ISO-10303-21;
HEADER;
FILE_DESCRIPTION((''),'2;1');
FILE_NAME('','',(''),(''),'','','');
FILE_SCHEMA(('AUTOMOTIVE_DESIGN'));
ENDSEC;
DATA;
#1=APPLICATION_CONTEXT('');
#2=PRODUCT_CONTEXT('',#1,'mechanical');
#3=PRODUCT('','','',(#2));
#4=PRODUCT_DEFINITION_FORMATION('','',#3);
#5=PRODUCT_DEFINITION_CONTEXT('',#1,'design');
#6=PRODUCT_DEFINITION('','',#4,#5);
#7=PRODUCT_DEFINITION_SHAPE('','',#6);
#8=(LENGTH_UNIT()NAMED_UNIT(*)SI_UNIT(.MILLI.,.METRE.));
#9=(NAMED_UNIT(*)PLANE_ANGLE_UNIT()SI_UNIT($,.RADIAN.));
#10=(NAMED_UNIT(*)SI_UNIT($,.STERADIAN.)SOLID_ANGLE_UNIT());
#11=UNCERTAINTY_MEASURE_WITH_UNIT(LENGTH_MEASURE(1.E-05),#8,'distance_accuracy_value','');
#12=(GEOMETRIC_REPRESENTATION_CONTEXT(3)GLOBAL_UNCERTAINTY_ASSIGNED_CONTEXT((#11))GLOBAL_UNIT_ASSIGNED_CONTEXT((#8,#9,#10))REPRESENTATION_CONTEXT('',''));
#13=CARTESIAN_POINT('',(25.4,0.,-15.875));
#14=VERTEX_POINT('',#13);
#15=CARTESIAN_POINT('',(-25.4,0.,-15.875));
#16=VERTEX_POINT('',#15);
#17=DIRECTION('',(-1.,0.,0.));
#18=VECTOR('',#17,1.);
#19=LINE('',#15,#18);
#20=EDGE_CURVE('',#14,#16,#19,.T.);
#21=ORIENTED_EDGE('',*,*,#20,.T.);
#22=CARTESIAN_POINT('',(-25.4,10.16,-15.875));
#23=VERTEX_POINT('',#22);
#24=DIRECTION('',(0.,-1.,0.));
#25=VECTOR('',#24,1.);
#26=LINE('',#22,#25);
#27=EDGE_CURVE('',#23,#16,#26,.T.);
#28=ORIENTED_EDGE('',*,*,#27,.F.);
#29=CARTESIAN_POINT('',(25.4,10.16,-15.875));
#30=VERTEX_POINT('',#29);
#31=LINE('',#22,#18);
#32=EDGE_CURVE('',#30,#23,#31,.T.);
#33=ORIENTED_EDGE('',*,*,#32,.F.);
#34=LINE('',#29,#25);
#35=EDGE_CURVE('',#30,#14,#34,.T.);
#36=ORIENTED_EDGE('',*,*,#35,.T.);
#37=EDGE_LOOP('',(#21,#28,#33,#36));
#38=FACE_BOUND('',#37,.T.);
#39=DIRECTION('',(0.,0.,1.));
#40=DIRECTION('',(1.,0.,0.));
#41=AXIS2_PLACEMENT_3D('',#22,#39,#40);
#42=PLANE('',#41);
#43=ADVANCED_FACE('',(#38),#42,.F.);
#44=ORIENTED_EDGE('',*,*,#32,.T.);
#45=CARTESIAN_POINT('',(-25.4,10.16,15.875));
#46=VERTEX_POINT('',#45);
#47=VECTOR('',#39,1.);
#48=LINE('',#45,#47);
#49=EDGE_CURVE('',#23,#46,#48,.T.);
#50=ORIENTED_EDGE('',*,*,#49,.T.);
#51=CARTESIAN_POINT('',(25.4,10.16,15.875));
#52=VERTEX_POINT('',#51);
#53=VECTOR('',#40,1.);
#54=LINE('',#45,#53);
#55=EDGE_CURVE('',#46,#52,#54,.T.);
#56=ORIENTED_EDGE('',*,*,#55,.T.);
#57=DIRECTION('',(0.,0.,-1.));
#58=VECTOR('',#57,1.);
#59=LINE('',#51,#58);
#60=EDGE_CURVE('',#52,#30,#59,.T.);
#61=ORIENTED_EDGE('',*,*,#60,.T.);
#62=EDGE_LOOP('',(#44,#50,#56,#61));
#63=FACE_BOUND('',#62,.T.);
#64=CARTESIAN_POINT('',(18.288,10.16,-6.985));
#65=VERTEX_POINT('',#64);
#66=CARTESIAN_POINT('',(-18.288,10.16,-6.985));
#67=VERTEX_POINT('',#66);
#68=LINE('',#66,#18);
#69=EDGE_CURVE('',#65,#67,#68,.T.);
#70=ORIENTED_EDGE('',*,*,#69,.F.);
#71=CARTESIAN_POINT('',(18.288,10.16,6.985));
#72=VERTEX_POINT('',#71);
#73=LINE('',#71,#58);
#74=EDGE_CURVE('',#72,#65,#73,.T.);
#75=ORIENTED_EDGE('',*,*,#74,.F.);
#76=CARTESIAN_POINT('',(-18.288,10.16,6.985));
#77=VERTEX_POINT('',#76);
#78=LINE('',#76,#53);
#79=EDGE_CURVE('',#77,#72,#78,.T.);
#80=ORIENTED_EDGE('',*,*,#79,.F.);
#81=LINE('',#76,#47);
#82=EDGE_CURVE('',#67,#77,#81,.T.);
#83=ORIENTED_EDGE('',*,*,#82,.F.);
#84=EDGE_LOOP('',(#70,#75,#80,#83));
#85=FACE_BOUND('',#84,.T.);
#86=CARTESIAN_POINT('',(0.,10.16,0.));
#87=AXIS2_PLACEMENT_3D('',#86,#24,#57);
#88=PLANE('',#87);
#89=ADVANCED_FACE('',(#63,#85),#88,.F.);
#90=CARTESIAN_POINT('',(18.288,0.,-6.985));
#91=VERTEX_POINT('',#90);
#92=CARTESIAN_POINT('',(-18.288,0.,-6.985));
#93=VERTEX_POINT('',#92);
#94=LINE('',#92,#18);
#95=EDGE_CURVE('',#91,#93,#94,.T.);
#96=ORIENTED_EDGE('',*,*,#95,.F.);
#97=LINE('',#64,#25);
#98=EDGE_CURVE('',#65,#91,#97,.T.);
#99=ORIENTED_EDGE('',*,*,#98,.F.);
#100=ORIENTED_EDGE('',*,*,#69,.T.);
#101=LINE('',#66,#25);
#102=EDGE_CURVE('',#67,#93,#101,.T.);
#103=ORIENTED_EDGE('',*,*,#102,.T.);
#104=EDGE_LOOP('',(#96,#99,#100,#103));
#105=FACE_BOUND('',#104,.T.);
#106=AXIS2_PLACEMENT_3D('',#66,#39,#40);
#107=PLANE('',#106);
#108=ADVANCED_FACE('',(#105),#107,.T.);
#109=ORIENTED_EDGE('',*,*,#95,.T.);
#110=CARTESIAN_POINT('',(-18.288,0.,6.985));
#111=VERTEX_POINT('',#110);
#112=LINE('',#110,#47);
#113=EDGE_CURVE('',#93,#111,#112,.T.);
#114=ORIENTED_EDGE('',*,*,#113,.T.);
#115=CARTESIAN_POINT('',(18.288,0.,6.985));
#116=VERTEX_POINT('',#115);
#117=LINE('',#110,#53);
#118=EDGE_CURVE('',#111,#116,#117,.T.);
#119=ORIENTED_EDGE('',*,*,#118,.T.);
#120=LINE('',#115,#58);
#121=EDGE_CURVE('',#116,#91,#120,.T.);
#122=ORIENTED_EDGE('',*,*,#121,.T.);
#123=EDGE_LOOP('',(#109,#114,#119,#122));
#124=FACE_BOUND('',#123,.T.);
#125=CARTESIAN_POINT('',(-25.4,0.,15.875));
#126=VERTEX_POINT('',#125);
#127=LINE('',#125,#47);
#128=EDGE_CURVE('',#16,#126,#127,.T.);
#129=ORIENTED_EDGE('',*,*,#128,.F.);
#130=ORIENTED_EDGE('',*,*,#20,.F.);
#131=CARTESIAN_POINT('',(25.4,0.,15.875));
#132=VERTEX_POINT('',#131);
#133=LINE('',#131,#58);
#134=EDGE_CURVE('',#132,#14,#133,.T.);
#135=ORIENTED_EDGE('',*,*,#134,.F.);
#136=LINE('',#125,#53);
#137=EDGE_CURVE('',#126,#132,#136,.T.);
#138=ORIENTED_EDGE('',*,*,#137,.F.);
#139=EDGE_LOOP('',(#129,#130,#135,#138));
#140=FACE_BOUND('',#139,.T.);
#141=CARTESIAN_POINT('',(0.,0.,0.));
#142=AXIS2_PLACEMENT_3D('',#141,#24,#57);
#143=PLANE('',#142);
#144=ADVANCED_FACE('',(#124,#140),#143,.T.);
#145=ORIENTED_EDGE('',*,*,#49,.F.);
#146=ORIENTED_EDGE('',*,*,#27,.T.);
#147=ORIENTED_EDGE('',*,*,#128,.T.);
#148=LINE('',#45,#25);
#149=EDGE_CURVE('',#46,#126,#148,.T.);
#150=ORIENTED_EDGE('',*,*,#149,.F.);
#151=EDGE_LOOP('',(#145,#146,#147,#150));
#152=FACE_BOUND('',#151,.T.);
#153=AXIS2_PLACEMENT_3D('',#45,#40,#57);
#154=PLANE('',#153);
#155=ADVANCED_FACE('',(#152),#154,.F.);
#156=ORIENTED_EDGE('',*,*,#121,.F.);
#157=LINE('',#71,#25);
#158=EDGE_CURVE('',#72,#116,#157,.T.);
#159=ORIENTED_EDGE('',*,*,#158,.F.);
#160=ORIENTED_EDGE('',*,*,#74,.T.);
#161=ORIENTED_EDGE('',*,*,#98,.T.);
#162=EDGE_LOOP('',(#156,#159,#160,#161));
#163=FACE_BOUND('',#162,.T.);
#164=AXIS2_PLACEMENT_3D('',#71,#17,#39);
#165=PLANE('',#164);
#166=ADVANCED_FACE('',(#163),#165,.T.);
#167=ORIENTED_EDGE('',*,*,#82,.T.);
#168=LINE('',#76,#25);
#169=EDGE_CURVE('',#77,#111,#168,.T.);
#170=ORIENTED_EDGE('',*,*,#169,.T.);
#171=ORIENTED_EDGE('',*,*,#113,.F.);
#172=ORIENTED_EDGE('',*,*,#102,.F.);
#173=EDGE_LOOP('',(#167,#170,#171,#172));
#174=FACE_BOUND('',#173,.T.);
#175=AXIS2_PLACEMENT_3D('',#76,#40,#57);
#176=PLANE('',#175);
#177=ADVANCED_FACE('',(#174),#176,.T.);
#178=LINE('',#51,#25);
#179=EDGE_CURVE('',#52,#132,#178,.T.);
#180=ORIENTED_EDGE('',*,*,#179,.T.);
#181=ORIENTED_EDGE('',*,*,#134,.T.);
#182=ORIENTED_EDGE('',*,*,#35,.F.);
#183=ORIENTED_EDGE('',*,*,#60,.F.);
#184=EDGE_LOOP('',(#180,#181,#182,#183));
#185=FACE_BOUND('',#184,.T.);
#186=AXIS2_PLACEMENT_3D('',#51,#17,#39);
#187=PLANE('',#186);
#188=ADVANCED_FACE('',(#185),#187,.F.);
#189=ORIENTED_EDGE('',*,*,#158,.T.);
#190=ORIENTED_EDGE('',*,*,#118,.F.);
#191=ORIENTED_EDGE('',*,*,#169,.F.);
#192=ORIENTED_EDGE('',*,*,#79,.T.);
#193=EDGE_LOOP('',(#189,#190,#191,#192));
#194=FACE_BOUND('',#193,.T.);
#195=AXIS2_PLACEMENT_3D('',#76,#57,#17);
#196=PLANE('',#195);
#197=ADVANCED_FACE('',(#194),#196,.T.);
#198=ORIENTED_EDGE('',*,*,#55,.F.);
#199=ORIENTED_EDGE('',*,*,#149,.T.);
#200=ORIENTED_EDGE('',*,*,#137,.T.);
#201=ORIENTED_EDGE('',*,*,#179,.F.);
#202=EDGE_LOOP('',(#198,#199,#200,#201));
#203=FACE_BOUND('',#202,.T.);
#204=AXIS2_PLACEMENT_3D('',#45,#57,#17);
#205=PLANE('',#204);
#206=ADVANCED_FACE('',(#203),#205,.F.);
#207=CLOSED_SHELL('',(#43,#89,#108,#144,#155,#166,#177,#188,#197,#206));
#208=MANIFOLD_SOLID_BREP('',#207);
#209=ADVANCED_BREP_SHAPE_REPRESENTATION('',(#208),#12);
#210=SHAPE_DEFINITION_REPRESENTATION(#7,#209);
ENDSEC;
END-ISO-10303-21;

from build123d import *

# Parameters (mm, degrees)
SKETCH1_W           = 50.8
SKETCH1_H           = 31.75
SKETCH1_W_2         = 36.576
SKETCH1_H_2         = 13.97
BOSS_EXTRUDE1_DEPTH = 10.16


with BuildPart() as part:
    # Sketch1 → Boss-Extrude1 (new body)
    with BuildSketch(Plane(origin=(0, 0, 0), x_dir=(1, 0, 0), z_dir=(0, 1, 0))):
        Rectangle(SKETCH1_W, SKETCH1_H)
        Rectangle(SKETCH1_W_2, SKETCH1_H_2, mode=Mode.SUBTRACT)
    extrude(amount=BOSS_EXTRUDE1_DEPTH)


solid = part.part
